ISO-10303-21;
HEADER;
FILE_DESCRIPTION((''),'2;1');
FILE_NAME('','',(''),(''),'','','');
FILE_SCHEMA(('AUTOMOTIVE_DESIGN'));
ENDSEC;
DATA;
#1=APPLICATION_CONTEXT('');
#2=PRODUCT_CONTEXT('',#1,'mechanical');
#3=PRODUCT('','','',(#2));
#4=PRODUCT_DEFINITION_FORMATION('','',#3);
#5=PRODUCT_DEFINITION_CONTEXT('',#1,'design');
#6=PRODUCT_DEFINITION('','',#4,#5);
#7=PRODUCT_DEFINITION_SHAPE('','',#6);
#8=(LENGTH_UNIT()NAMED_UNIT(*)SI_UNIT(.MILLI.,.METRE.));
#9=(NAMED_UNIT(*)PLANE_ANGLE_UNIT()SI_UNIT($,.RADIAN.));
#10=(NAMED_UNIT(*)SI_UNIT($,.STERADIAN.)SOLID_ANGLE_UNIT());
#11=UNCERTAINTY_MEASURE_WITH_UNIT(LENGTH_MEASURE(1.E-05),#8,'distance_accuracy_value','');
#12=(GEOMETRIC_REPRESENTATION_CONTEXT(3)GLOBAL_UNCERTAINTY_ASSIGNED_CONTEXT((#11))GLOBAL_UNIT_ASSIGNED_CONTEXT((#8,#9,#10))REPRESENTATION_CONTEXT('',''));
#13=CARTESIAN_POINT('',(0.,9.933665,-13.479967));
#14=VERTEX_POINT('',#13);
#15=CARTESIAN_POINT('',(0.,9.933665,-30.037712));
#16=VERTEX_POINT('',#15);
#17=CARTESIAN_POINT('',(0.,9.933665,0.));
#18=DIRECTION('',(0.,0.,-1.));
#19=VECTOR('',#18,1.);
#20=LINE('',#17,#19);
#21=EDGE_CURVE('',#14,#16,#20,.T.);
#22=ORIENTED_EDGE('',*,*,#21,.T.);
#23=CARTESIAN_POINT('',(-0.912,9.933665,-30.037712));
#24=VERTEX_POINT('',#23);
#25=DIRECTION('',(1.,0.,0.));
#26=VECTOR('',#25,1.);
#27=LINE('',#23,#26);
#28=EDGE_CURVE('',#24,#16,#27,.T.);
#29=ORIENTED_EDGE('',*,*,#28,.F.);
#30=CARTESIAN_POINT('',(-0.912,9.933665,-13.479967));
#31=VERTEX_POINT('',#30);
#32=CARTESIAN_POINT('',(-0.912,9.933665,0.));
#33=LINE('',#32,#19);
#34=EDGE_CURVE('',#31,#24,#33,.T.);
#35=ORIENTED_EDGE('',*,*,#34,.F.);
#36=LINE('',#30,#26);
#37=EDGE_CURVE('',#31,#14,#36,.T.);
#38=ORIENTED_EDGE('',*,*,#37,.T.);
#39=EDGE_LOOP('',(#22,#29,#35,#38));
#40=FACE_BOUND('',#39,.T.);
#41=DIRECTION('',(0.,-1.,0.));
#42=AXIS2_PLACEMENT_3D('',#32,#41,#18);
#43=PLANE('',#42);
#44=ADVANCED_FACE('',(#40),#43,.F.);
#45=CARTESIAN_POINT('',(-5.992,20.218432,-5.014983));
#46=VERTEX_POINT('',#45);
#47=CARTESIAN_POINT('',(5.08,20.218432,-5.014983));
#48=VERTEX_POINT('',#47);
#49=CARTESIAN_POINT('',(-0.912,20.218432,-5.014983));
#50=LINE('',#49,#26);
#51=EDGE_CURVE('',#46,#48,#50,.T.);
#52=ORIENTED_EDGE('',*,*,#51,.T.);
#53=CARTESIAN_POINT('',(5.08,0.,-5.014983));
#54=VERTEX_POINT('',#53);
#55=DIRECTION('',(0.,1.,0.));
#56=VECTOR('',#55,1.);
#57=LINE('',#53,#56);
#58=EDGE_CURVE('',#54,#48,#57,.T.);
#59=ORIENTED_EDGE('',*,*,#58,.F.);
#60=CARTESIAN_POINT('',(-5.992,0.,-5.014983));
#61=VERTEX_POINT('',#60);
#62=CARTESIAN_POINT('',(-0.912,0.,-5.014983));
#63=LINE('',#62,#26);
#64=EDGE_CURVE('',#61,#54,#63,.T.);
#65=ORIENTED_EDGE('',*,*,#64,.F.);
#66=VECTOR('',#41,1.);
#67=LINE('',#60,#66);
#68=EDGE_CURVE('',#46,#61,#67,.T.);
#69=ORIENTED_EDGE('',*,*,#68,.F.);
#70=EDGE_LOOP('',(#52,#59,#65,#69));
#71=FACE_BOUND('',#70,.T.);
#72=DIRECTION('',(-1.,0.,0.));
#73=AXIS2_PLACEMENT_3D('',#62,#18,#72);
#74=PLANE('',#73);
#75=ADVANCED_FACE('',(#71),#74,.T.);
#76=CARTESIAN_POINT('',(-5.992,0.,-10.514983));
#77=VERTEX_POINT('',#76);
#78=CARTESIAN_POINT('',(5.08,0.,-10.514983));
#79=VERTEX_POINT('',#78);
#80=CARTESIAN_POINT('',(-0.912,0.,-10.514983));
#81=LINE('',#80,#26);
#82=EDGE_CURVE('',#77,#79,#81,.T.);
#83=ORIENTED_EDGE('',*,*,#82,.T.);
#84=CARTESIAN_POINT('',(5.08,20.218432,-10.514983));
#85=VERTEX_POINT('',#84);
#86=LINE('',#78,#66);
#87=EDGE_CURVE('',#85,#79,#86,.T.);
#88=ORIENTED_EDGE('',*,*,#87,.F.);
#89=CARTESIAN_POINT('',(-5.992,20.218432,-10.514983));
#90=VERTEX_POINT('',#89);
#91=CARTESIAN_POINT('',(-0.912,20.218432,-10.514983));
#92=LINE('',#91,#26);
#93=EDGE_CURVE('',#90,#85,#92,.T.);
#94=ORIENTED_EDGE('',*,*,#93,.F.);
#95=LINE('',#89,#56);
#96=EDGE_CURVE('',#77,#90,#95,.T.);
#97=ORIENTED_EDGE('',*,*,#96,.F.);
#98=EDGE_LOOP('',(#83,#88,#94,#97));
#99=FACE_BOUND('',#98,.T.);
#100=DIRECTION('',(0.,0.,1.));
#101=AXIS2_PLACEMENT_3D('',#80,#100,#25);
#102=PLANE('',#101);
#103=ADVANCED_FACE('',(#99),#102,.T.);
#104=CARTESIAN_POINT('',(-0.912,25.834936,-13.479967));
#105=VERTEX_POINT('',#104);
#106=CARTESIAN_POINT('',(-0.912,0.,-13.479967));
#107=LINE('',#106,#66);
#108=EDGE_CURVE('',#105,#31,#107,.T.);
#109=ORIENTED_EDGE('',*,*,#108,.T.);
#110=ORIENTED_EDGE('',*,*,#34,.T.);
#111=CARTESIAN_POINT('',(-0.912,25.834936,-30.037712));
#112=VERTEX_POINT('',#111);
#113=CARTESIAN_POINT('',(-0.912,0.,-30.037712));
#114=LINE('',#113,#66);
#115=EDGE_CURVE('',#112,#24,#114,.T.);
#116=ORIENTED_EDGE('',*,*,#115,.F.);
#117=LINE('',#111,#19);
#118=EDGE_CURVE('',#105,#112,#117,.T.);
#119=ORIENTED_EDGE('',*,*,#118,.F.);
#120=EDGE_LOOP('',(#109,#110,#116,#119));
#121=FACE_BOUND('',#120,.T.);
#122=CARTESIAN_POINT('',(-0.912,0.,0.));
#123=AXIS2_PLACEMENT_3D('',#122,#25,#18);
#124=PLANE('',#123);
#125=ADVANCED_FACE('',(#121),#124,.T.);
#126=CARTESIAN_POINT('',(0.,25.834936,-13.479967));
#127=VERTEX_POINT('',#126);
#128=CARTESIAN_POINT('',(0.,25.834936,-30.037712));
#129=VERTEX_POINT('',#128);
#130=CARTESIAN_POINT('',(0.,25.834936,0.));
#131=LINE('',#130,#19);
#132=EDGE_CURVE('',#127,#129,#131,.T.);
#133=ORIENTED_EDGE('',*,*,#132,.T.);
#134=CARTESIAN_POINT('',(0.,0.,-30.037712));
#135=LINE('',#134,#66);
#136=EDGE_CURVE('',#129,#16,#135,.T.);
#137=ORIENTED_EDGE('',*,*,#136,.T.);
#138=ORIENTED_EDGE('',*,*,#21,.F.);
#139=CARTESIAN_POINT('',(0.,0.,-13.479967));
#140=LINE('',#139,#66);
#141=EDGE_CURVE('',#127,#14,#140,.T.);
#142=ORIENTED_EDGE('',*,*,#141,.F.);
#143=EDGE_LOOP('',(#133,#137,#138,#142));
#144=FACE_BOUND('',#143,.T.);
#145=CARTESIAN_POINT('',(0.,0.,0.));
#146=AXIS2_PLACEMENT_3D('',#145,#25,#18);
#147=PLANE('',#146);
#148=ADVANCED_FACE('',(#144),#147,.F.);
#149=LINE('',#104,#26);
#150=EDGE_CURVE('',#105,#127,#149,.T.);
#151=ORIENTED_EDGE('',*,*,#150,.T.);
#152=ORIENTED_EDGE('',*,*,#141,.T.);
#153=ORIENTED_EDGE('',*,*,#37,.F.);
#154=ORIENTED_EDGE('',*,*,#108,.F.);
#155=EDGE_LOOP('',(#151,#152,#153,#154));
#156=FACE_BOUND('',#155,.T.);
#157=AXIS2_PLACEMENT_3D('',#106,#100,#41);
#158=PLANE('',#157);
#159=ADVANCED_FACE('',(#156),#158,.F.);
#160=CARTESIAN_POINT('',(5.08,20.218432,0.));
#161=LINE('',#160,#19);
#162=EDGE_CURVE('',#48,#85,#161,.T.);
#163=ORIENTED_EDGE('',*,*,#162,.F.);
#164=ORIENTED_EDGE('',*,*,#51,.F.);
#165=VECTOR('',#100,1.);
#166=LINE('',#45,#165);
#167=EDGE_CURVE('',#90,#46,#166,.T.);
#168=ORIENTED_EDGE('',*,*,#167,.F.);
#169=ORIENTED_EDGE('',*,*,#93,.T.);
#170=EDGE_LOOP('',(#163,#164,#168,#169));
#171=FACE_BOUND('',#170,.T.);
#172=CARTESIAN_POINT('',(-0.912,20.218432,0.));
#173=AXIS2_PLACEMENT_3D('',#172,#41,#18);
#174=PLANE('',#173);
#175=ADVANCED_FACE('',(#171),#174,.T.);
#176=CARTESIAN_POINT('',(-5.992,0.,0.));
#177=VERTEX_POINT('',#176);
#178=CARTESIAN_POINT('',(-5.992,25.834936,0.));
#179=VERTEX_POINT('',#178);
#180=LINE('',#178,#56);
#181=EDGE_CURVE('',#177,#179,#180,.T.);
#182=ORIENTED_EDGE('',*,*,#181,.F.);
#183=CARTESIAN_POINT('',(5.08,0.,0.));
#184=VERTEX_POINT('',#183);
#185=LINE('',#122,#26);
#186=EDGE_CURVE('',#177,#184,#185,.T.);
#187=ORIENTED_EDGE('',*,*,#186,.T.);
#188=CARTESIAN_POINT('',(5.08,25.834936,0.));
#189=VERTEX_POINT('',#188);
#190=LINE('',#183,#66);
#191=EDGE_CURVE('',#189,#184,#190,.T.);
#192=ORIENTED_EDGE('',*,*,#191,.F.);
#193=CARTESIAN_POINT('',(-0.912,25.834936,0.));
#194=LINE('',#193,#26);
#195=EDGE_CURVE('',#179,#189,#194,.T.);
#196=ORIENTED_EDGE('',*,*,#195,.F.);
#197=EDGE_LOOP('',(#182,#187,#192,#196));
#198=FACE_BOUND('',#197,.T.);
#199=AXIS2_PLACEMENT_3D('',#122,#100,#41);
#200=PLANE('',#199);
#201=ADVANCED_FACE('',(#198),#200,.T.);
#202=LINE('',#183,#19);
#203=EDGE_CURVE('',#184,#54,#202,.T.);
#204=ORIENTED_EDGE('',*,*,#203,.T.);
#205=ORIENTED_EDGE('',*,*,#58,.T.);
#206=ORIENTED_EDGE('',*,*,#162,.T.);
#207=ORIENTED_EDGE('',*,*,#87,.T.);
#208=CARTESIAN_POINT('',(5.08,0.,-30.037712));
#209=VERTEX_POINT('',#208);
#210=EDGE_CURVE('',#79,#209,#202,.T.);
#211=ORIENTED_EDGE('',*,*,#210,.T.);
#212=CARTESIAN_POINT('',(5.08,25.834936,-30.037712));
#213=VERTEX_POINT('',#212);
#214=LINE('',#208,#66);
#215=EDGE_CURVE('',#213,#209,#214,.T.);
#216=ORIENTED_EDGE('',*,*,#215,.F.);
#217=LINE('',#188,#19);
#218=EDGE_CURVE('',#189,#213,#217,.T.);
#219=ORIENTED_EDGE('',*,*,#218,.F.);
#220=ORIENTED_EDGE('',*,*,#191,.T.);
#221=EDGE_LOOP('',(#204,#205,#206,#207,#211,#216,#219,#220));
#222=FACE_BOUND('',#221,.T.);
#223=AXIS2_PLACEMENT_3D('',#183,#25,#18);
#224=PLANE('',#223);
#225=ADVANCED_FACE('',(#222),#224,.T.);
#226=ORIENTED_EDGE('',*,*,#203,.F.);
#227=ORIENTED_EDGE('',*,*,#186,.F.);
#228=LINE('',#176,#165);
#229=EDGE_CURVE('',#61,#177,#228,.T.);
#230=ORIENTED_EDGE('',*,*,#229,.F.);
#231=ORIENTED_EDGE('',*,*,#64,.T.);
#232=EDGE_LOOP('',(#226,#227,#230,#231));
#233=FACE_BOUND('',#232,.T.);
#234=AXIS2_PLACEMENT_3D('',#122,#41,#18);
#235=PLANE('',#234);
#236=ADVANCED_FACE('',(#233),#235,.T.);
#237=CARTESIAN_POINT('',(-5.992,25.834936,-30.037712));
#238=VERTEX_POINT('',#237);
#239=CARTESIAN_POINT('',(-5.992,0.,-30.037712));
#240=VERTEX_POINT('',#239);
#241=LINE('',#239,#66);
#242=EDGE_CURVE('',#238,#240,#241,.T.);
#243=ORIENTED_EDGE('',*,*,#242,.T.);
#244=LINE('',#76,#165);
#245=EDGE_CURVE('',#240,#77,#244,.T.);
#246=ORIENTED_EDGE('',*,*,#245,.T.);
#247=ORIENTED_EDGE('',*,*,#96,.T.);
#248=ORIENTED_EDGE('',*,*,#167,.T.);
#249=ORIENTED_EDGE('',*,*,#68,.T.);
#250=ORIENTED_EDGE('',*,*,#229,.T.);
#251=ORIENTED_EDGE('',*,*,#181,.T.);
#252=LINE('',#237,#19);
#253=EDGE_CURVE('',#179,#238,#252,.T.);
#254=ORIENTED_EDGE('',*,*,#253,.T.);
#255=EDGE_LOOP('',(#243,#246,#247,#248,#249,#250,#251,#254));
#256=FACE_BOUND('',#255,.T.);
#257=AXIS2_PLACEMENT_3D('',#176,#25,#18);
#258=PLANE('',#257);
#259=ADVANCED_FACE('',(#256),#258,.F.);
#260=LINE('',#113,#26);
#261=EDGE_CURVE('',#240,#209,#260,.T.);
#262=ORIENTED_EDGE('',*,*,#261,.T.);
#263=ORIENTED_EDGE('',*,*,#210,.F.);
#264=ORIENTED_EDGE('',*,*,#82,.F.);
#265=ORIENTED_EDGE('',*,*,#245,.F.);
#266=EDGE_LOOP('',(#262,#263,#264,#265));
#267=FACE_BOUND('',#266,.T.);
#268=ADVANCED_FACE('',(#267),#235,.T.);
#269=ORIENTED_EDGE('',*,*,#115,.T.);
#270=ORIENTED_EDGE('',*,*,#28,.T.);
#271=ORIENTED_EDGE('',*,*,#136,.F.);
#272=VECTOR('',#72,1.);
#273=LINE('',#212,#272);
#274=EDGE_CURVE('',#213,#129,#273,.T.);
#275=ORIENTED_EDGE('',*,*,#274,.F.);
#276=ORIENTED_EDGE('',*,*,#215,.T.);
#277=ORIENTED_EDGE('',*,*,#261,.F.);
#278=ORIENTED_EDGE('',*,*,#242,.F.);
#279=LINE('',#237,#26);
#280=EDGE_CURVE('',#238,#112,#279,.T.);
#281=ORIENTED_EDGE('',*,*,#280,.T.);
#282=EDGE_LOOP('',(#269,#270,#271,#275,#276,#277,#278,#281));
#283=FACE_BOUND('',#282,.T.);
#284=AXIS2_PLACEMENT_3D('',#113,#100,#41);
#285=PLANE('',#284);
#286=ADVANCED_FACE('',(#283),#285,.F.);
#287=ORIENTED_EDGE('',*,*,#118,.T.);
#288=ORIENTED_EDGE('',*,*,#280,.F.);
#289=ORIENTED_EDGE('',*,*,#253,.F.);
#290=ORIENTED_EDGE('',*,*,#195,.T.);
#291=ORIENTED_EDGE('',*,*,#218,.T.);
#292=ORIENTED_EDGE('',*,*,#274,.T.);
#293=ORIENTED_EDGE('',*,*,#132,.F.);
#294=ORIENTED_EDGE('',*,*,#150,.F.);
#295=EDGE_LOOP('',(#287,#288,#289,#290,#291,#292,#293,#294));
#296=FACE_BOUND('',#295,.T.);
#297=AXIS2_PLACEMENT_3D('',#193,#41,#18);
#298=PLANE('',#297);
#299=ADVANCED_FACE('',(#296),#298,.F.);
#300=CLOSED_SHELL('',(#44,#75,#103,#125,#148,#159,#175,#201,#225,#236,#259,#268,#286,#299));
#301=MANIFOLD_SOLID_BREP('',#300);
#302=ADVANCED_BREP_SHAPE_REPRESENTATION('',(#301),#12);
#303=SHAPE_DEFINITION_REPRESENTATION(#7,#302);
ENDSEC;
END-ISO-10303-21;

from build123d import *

# Parameters (mm, degrees)
BOSS_EXTRUDE1_DEPTH = 0.912
BOSS_EXTRUDE2_DEPTH = 5.08
BOSS_EXTRUDE3_DEPTH = 5.08


with BuildPart() as part:
    # Sketch1 → Boss-Extrude1 (new body)
    with BuildSketch(Plane(origin=(0, 0, 0), x_dir=(0, 0, -1), z_dir=(1, 0, 0))):
        Polygon((0, 0), (5.014983062, 0), (5.014983062, 20.218431916), (10.514983062, 20.218431916), (10.514983062, 0), (30.0377124, 0), (30.0377124, 9.933664863), (13.47996686, 9.933664863), (13.47996686, 25.83493591), (0, 25.83493591), align=None)
    extrude(amount=-BOSS_EXTRUDE1_DEPTH)

    # Sketch1<3> → Boss-Extrude2 (add)
    with BuildSketch(Plane(origin=(0, 0, 0), x_dir=(0, 0, -1), z_dir=(1, 0, 0))):
        Polygon((0, 0), (5.014983062, 0), (5.014983062, 20.218431916), (10.514983062, 20.218431916), (10.514983062, 0), (30.0377124, 0), (30.0377124, 25.83493591), (0, 25.83493591), align=None)
    extrude(amount=BOSS_EXTRUDE2_DEPTH)

    # Sketch2 → Boss-Extrude3 (add)
    with BuildSketch(Plane.ZY.offset(0.912)):
        Polygon((-30.0377124, 25.83493591), (0, 25.83493591), (0, 0), (-5.014983062, 0), (-5.014983062, 20.218431916), (-10.514983062, 20.218431916), (-10.514983062, 0), (-30.0377124, 0), align=None)
    extrude(amount=BOSS_EXTRUDE3_DEPTH)


solid = part.part
